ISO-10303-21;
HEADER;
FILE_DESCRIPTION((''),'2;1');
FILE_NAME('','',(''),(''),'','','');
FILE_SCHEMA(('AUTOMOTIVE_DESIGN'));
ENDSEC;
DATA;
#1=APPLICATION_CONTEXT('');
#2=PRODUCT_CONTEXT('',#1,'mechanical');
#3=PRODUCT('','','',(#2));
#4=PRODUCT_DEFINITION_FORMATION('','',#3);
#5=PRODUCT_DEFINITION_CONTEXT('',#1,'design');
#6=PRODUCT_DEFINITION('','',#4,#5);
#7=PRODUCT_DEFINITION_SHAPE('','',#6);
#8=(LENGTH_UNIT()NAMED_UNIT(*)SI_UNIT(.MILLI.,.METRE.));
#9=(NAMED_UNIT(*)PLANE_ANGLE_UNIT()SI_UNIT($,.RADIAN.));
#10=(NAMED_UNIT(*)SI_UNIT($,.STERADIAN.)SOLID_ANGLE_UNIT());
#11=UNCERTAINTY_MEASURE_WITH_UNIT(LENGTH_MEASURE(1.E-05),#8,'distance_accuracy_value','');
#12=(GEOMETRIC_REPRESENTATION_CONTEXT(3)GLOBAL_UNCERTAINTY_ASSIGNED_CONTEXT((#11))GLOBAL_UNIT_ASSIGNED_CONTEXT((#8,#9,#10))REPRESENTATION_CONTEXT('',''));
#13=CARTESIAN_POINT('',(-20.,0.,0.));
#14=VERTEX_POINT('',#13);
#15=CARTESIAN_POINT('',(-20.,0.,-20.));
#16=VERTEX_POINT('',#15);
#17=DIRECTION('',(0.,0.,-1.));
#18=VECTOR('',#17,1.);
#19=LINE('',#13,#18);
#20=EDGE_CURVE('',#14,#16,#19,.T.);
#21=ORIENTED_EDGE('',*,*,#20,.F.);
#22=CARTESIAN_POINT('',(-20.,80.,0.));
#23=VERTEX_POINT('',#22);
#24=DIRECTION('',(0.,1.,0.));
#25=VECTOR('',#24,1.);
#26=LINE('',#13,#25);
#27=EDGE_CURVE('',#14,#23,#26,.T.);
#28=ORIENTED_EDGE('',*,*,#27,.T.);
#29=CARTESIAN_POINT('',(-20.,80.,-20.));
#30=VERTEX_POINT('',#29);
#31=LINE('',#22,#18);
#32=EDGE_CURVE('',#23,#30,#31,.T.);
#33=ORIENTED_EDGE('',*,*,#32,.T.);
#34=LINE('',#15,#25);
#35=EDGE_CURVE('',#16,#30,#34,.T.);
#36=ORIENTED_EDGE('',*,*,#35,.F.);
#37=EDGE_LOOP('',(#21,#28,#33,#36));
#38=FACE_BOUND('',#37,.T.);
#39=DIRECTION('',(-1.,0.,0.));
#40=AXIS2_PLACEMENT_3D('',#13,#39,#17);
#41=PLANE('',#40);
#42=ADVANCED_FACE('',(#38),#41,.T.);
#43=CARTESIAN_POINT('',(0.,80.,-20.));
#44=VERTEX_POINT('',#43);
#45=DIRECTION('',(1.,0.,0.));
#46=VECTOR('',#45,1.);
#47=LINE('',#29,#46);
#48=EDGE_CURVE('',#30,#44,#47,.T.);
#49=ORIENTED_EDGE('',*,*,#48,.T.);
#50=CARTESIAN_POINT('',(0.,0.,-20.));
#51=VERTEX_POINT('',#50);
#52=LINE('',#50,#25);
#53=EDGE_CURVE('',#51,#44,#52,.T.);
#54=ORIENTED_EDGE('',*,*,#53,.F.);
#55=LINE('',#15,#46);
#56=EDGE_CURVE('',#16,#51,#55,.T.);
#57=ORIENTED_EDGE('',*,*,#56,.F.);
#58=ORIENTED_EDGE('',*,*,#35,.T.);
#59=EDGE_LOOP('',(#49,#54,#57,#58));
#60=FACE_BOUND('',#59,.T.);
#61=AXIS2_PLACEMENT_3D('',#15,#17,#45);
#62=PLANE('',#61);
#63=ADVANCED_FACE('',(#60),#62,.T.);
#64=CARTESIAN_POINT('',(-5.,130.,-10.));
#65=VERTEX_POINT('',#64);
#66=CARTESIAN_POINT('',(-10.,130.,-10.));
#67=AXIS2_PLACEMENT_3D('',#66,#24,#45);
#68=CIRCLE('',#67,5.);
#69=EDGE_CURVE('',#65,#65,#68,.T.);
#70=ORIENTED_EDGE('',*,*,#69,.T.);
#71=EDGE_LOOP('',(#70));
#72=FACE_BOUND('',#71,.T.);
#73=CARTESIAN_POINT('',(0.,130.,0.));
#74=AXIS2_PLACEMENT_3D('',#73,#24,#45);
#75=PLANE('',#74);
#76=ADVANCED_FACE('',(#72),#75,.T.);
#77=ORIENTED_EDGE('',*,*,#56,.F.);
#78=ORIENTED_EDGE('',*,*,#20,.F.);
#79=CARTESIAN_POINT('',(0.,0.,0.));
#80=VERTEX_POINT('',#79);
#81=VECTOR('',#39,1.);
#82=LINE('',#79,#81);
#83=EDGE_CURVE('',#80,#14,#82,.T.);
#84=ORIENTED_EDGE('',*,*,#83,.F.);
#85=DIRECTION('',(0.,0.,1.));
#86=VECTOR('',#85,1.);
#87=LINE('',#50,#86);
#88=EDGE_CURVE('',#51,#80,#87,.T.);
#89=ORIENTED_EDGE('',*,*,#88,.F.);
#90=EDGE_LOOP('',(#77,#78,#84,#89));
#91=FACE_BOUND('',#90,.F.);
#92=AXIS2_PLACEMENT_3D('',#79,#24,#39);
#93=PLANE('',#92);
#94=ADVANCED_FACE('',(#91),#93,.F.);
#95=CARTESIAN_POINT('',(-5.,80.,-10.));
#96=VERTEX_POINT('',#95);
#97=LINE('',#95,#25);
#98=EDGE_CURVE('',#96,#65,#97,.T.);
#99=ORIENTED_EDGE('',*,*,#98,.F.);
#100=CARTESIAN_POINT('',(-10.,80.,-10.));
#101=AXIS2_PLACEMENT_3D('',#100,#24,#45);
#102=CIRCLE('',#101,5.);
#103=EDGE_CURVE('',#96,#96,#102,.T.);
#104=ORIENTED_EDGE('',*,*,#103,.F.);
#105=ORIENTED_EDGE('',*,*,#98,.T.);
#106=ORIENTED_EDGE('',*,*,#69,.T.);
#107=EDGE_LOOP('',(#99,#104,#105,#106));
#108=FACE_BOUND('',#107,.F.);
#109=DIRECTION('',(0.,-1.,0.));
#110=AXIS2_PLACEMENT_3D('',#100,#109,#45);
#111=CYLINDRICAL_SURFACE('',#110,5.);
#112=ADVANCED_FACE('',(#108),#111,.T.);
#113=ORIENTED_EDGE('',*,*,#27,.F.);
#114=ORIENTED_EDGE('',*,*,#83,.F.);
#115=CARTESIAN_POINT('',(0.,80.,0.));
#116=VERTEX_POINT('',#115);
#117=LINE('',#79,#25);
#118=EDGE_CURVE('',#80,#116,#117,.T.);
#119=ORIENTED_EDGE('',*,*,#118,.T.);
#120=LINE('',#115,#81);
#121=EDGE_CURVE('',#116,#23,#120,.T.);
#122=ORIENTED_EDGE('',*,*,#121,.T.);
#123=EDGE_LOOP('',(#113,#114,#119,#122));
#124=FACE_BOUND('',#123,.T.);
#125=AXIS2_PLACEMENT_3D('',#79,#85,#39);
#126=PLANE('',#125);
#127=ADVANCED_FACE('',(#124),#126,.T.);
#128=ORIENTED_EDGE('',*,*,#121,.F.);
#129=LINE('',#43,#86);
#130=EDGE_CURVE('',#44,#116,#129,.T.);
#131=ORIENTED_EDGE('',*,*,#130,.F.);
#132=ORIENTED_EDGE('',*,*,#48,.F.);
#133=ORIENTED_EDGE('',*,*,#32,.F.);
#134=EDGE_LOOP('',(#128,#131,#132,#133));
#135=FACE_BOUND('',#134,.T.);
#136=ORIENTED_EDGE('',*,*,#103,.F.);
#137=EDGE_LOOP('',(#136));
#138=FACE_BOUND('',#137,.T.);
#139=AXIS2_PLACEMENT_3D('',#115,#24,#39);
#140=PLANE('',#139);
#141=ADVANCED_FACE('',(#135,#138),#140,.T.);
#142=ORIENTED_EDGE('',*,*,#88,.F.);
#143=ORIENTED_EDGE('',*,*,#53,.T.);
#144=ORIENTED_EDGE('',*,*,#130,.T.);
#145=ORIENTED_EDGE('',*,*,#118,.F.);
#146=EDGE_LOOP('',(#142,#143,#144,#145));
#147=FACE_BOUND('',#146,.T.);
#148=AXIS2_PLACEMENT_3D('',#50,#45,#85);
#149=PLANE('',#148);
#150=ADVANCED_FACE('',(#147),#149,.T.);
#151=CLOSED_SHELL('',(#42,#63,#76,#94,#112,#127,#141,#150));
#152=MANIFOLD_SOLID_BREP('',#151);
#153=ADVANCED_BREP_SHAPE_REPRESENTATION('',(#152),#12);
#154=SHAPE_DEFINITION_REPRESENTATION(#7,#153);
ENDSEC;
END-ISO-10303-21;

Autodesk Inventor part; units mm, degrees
ref_plane "YZ Plane" through (0, 0, 0) normal (1, 0, 0) x (0, 1, 0)
ref_plane "XZ Plane" through (0, 0, 0) normal (0, 1, 0) x (-1, 0, 0)
ref_plane "XY Plane" through (0, 0, 0) normal (0, 0, 1) x (1, 0, 0)
sketch "Sketch1" plane through (0, 0, 0) normal (0, 1, 0) x (-1, 0, 0)
  line L0 (0, 0) -> (20, 0)
  line L1 (20, 0) -> (20, -20)
  line L2 (20, -20) -> (0, -20)
  line L3 (0, -20) -> (0, 0)
  dimension "d0" = 20
  dimension "d1" = 20
extrude "Extrusion1" add sketch "Sketch1" along normal blind 80
sketch "Sketch2" plane through (0, 80, 0) normal (0, 1, 0) x (1, 0, 0)
  line L0 (-20, 0) -> (0, 0) projected
  line L1 (0, 0) -> (0, 20) projected
  line L2 (0, 20) -> (-20, 20) projected
  line L3 (-20, 20) -> (-20, 0) projected
  circle A0 centre (-10, 10) radius 5
  dimension "d4" = 10
  dimension "d5" = 10
  dimension "d6" = 10
extrude "Extrusion2" add sketch "Sketch2" along normal blind 50 contours A0
properties part number "EE-Rod-Rev1"
